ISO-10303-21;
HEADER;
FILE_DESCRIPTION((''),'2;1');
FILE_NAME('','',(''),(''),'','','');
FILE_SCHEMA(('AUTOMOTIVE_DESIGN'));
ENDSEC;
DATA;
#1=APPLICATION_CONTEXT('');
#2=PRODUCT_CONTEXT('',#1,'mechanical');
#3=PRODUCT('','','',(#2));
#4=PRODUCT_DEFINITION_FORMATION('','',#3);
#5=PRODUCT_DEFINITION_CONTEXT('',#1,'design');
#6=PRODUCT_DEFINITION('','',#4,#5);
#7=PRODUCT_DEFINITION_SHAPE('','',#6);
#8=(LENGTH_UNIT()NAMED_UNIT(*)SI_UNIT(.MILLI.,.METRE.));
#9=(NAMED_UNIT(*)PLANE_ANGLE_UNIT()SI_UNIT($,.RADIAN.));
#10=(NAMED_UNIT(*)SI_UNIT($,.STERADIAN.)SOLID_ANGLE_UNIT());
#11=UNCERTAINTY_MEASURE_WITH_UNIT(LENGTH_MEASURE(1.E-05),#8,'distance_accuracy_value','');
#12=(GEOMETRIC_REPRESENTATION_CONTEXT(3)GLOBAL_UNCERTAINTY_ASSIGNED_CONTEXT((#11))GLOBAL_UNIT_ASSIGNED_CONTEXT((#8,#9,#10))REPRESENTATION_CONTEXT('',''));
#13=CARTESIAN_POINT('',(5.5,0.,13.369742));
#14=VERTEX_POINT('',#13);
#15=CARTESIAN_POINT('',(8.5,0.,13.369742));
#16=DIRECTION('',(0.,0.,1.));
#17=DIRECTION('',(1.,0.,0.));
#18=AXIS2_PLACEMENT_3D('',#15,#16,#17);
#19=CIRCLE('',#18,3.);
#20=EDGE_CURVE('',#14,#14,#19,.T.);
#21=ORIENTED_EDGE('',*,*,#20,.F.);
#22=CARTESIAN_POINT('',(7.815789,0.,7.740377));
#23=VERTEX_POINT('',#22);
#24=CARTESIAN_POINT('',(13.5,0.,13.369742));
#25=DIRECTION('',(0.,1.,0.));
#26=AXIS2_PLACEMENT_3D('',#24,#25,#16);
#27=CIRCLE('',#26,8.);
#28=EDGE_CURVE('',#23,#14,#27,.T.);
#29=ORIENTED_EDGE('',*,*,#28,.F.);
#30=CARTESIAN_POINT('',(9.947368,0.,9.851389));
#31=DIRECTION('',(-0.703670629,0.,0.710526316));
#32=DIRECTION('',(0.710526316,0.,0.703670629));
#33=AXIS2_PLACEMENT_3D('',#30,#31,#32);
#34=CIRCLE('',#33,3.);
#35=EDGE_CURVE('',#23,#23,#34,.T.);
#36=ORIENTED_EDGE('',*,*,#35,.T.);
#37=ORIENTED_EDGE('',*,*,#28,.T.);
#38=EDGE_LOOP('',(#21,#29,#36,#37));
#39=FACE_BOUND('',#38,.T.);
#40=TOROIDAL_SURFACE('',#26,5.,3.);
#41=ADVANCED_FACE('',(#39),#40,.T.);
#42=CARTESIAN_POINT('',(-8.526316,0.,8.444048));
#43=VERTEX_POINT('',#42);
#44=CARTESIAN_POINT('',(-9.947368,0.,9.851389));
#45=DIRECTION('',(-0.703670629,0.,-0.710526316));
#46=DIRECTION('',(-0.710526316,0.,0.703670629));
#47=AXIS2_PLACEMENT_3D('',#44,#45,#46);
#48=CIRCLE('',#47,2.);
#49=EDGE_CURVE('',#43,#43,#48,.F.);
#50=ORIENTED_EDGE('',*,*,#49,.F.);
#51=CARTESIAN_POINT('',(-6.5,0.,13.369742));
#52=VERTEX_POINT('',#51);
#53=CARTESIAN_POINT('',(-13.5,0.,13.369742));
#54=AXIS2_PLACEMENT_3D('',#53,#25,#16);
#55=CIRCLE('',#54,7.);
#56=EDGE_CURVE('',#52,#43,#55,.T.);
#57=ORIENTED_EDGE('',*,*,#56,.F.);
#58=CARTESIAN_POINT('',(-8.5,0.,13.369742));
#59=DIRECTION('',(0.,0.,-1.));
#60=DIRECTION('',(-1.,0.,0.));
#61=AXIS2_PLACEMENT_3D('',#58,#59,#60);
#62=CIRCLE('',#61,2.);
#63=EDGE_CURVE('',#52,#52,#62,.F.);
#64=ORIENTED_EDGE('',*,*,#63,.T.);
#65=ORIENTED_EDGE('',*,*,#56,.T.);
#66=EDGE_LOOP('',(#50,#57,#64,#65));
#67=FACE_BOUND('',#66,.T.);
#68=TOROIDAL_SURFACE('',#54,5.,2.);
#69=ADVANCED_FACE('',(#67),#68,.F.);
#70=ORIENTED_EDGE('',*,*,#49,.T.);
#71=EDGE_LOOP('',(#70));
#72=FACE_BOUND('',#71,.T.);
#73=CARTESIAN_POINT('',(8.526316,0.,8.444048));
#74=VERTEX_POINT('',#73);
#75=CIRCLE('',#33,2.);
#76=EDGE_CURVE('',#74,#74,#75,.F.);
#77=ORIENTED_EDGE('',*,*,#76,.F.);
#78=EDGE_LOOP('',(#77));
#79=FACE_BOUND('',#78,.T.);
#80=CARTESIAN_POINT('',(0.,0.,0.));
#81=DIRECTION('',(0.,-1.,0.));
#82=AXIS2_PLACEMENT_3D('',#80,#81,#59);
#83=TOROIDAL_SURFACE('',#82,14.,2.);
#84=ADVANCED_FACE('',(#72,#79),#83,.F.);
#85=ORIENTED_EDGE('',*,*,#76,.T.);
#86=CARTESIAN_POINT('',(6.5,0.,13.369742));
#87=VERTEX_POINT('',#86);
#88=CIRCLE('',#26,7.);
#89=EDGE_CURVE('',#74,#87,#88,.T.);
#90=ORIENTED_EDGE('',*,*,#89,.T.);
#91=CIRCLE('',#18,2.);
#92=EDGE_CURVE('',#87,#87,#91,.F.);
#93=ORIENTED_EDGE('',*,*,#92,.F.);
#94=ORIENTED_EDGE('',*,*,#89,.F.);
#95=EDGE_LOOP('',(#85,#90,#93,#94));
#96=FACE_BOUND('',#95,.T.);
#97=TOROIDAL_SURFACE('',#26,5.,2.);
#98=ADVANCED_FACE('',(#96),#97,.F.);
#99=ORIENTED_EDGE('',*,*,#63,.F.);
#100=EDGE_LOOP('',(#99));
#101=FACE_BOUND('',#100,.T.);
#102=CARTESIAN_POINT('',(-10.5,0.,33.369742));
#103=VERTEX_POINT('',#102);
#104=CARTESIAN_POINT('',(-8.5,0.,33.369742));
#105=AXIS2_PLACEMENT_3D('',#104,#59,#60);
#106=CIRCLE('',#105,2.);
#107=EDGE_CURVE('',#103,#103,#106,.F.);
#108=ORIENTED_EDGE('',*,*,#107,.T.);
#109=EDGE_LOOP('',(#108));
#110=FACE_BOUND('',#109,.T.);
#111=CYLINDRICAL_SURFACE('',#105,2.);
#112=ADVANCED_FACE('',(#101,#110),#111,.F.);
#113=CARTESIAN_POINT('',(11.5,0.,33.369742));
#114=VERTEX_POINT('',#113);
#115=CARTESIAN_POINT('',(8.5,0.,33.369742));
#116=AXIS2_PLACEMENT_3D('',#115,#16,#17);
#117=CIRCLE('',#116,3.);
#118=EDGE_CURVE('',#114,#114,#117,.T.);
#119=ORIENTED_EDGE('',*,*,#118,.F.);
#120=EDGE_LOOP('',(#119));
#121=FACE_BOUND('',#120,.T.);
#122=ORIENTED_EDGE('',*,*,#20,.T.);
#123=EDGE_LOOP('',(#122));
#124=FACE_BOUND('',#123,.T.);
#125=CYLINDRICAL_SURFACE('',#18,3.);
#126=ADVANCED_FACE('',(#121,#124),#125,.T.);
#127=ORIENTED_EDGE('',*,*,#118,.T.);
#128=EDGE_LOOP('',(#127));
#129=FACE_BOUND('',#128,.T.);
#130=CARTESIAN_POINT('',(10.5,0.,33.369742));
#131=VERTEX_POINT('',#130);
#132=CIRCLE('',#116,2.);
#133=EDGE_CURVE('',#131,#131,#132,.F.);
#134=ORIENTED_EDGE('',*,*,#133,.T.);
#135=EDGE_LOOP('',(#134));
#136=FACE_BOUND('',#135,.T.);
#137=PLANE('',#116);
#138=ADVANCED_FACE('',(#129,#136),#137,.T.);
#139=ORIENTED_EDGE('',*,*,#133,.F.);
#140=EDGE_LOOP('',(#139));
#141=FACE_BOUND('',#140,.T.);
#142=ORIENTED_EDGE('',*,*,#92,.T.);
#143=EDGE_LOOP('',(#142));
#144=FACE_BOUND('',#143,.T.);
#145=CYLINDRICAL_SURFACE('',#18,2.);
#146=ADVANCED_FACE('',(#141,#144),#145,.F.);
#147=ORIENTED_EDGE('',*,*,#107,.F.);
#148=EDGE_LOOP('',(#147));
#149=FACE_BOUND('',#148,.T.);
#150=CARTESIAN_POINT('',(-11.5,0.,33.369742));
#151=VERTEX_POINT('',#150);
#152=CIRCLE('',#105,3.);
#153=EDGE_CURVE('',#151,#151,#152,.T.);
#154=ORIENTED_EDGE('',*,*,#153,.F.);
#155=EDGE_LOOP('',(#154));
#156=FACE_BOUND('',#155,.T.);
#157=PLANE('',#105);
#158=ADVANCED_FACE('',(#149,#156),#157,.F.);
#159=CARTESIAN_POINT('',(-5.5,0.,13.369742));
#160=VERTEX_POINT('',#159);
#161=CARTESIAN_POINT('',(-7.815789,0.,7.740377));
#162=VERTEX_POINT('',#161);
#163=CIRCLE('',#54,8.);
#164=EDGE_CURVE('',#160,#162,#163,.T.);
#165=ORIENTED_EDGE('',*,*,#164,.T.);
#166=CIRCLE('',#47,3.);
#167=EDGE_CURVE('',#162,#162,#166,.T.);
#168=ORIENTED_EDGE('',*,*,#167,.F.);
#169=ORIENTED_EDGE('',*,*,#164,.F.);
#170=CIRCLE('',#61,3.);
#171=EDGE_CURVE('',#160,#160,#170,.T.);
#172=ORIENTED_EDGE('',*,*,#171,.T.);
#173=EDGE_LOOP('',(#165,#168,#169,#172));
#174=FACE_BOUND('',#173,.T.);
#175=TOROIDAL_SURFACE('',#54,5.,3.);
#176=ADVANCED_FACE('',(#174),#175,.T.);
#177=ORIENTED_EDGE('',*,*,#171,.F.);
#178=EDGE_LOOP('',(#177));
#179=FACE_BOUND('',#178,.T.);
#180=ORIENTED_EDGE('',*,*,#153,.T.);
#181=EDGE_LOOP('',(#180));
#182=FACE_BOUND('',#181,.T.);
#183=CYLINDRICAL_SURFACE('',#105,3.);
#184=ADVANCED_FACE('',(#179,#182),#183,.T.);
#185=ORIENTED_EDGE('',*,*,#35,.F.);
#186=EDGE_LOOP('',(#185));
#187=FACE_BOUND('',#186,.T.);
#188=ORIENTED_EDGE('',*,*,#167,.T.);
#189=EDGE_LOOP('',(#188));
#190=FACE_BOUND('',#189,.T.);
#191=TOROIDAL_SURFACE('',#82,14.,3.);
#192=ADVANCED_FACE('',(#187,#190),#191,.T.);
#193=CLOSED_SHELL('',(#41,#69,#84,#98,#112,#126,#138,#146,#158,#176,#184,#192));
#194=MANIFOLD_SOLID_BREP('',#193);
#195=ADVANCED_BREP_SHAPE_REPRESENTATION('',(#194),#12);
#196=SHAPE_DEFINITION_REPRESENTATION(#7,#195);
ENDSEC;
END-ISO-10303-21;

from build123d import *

# Parameters (mm, degrees)
SKETCH2_R   = 3
SKETCH2_R_2 = 2


with BuildPart() as part:
    # Sweep1: sweep along a path in Sketch1
    with BuildLine(Plane(origin=(0, 0, 0), x_dir=(1, 0, 0), z_dir=(0, 1, 0))) as sweep1_path:
        Line((8.5, -33.369741957), (8.5, -13.369741957))
        ThreePointArc((8.5, -13.369741957), (8.875978055, -11.467527181), (9.947368421, -9.851388811))
        ThreePointArc((9.947368421, -9.851388811), (0, 14), (-9.947368421, -9.851388811))
        ThreePointArc((-9.947368421, -9.851388811), (-8.875978055, -11.467527181), (-8.5, -13.369741957))
        Line((-8.5, -13.369741957), (-8.5, -33.369741957))
    # Sketch2 → Sweep1 (sweep)
    with BuildSketch(Plane(origin=(-8.5, 0, 33.369741957), x_dir=(-1, 0, 0), z_dir=(0, 0, -1))):
        Circle(SKETCH2_R)
        Circle(SKETCH2_R_2, mode=Mode.SUBTRACT)
    sweep(path=sweep1_path.line)


solid = part.part
